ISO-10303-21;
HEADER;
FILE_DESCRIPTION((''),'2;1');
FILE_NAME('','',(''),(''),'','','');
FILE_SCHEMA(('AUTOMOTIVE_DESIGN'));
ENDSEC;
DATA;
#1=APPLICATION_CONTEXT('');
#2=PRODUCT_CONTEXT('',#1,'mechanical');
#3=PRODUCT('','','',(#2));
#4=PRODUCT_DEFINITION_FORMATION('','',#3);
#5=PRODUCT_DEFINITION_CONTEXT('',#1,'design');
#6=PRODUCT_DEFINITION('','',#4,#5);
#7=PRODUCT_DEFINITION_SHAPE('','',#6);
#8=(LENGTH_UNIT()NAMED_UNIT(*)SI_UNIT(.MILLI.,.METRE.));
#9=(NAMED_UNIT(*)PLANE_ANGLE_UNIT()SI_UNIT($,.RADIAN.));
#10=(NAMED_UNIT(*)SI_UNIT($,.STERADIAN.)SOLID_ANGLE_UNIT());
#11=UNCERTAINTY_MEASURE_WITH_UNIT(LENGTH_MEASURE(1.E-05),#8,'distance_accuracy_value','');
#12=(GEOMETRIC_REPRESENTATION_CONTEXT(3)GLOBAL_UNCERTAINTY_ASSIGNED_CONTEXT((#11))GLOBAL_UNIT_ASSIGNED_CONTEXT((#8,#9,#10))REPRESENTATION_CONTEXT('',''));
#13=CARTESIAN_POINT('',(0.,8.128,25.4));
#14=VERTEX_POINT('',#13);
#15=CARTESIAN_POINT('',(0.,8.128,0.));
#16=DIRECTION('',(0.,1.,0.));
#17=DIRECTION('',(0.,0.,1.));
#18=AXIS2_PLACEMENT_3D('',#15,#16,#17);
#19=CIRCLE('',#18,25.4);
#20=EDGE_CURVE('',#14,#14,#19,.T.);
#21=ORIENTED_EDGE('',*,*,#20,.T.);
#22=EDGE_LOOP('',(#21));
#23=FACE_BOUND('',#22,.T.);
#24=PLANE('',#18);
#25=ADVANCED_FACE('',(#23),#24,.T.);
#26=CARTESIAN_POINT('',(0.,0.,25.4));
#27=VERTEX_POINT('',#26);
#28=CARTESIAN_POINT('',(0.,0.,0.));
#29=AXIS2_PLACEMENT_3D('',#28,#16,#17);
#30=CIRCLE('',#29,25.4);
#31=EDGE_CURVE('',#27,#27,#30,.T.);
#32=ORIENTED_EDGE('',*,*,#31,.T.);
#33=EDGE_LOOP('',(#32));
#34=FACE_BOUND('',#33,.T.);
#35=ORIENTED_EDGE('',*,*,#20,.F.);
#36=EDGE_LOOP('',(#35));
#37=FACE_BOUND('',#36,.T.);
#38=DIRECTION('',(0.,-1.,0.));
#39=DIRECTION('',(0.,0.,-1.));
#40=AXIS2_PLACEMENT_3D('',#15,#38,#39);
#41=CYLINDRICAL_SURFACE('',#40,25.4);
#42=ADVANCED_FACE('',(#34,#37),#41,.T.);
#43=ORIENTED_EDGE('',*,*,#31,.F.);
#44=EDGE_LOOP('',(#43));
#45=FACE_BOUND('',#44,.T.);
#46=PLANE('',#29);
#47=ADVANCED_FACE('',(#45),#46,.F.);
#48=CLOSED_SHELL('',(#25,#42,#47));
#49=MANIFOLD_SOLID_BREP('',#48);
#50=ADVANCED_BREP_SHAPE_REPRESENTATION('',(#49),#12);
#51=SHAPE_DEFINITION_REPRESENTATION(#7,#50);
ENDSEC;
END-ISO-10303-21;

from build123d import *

# Parameters (mm, degrees)
SKETCH1_R           = 25.4
BOSS_EXTRUDE1_DEPTH = 8.128


with BuildPart() as part:
    # Sketch1 → Boss-Extrude1 (new body)
    with BuildSketch(Plane(origin=(0, 0, 0), x_dir=(1, 0, 0), z_dir=(0, 1, 0))):
        with Locations(Location((0, 0, 0), (0, 0, 270))):
            Circle(SKETCH1_R)
    extrude(amount=BOSS_EXTRUDE1_DEPTH)


solid = part.part
